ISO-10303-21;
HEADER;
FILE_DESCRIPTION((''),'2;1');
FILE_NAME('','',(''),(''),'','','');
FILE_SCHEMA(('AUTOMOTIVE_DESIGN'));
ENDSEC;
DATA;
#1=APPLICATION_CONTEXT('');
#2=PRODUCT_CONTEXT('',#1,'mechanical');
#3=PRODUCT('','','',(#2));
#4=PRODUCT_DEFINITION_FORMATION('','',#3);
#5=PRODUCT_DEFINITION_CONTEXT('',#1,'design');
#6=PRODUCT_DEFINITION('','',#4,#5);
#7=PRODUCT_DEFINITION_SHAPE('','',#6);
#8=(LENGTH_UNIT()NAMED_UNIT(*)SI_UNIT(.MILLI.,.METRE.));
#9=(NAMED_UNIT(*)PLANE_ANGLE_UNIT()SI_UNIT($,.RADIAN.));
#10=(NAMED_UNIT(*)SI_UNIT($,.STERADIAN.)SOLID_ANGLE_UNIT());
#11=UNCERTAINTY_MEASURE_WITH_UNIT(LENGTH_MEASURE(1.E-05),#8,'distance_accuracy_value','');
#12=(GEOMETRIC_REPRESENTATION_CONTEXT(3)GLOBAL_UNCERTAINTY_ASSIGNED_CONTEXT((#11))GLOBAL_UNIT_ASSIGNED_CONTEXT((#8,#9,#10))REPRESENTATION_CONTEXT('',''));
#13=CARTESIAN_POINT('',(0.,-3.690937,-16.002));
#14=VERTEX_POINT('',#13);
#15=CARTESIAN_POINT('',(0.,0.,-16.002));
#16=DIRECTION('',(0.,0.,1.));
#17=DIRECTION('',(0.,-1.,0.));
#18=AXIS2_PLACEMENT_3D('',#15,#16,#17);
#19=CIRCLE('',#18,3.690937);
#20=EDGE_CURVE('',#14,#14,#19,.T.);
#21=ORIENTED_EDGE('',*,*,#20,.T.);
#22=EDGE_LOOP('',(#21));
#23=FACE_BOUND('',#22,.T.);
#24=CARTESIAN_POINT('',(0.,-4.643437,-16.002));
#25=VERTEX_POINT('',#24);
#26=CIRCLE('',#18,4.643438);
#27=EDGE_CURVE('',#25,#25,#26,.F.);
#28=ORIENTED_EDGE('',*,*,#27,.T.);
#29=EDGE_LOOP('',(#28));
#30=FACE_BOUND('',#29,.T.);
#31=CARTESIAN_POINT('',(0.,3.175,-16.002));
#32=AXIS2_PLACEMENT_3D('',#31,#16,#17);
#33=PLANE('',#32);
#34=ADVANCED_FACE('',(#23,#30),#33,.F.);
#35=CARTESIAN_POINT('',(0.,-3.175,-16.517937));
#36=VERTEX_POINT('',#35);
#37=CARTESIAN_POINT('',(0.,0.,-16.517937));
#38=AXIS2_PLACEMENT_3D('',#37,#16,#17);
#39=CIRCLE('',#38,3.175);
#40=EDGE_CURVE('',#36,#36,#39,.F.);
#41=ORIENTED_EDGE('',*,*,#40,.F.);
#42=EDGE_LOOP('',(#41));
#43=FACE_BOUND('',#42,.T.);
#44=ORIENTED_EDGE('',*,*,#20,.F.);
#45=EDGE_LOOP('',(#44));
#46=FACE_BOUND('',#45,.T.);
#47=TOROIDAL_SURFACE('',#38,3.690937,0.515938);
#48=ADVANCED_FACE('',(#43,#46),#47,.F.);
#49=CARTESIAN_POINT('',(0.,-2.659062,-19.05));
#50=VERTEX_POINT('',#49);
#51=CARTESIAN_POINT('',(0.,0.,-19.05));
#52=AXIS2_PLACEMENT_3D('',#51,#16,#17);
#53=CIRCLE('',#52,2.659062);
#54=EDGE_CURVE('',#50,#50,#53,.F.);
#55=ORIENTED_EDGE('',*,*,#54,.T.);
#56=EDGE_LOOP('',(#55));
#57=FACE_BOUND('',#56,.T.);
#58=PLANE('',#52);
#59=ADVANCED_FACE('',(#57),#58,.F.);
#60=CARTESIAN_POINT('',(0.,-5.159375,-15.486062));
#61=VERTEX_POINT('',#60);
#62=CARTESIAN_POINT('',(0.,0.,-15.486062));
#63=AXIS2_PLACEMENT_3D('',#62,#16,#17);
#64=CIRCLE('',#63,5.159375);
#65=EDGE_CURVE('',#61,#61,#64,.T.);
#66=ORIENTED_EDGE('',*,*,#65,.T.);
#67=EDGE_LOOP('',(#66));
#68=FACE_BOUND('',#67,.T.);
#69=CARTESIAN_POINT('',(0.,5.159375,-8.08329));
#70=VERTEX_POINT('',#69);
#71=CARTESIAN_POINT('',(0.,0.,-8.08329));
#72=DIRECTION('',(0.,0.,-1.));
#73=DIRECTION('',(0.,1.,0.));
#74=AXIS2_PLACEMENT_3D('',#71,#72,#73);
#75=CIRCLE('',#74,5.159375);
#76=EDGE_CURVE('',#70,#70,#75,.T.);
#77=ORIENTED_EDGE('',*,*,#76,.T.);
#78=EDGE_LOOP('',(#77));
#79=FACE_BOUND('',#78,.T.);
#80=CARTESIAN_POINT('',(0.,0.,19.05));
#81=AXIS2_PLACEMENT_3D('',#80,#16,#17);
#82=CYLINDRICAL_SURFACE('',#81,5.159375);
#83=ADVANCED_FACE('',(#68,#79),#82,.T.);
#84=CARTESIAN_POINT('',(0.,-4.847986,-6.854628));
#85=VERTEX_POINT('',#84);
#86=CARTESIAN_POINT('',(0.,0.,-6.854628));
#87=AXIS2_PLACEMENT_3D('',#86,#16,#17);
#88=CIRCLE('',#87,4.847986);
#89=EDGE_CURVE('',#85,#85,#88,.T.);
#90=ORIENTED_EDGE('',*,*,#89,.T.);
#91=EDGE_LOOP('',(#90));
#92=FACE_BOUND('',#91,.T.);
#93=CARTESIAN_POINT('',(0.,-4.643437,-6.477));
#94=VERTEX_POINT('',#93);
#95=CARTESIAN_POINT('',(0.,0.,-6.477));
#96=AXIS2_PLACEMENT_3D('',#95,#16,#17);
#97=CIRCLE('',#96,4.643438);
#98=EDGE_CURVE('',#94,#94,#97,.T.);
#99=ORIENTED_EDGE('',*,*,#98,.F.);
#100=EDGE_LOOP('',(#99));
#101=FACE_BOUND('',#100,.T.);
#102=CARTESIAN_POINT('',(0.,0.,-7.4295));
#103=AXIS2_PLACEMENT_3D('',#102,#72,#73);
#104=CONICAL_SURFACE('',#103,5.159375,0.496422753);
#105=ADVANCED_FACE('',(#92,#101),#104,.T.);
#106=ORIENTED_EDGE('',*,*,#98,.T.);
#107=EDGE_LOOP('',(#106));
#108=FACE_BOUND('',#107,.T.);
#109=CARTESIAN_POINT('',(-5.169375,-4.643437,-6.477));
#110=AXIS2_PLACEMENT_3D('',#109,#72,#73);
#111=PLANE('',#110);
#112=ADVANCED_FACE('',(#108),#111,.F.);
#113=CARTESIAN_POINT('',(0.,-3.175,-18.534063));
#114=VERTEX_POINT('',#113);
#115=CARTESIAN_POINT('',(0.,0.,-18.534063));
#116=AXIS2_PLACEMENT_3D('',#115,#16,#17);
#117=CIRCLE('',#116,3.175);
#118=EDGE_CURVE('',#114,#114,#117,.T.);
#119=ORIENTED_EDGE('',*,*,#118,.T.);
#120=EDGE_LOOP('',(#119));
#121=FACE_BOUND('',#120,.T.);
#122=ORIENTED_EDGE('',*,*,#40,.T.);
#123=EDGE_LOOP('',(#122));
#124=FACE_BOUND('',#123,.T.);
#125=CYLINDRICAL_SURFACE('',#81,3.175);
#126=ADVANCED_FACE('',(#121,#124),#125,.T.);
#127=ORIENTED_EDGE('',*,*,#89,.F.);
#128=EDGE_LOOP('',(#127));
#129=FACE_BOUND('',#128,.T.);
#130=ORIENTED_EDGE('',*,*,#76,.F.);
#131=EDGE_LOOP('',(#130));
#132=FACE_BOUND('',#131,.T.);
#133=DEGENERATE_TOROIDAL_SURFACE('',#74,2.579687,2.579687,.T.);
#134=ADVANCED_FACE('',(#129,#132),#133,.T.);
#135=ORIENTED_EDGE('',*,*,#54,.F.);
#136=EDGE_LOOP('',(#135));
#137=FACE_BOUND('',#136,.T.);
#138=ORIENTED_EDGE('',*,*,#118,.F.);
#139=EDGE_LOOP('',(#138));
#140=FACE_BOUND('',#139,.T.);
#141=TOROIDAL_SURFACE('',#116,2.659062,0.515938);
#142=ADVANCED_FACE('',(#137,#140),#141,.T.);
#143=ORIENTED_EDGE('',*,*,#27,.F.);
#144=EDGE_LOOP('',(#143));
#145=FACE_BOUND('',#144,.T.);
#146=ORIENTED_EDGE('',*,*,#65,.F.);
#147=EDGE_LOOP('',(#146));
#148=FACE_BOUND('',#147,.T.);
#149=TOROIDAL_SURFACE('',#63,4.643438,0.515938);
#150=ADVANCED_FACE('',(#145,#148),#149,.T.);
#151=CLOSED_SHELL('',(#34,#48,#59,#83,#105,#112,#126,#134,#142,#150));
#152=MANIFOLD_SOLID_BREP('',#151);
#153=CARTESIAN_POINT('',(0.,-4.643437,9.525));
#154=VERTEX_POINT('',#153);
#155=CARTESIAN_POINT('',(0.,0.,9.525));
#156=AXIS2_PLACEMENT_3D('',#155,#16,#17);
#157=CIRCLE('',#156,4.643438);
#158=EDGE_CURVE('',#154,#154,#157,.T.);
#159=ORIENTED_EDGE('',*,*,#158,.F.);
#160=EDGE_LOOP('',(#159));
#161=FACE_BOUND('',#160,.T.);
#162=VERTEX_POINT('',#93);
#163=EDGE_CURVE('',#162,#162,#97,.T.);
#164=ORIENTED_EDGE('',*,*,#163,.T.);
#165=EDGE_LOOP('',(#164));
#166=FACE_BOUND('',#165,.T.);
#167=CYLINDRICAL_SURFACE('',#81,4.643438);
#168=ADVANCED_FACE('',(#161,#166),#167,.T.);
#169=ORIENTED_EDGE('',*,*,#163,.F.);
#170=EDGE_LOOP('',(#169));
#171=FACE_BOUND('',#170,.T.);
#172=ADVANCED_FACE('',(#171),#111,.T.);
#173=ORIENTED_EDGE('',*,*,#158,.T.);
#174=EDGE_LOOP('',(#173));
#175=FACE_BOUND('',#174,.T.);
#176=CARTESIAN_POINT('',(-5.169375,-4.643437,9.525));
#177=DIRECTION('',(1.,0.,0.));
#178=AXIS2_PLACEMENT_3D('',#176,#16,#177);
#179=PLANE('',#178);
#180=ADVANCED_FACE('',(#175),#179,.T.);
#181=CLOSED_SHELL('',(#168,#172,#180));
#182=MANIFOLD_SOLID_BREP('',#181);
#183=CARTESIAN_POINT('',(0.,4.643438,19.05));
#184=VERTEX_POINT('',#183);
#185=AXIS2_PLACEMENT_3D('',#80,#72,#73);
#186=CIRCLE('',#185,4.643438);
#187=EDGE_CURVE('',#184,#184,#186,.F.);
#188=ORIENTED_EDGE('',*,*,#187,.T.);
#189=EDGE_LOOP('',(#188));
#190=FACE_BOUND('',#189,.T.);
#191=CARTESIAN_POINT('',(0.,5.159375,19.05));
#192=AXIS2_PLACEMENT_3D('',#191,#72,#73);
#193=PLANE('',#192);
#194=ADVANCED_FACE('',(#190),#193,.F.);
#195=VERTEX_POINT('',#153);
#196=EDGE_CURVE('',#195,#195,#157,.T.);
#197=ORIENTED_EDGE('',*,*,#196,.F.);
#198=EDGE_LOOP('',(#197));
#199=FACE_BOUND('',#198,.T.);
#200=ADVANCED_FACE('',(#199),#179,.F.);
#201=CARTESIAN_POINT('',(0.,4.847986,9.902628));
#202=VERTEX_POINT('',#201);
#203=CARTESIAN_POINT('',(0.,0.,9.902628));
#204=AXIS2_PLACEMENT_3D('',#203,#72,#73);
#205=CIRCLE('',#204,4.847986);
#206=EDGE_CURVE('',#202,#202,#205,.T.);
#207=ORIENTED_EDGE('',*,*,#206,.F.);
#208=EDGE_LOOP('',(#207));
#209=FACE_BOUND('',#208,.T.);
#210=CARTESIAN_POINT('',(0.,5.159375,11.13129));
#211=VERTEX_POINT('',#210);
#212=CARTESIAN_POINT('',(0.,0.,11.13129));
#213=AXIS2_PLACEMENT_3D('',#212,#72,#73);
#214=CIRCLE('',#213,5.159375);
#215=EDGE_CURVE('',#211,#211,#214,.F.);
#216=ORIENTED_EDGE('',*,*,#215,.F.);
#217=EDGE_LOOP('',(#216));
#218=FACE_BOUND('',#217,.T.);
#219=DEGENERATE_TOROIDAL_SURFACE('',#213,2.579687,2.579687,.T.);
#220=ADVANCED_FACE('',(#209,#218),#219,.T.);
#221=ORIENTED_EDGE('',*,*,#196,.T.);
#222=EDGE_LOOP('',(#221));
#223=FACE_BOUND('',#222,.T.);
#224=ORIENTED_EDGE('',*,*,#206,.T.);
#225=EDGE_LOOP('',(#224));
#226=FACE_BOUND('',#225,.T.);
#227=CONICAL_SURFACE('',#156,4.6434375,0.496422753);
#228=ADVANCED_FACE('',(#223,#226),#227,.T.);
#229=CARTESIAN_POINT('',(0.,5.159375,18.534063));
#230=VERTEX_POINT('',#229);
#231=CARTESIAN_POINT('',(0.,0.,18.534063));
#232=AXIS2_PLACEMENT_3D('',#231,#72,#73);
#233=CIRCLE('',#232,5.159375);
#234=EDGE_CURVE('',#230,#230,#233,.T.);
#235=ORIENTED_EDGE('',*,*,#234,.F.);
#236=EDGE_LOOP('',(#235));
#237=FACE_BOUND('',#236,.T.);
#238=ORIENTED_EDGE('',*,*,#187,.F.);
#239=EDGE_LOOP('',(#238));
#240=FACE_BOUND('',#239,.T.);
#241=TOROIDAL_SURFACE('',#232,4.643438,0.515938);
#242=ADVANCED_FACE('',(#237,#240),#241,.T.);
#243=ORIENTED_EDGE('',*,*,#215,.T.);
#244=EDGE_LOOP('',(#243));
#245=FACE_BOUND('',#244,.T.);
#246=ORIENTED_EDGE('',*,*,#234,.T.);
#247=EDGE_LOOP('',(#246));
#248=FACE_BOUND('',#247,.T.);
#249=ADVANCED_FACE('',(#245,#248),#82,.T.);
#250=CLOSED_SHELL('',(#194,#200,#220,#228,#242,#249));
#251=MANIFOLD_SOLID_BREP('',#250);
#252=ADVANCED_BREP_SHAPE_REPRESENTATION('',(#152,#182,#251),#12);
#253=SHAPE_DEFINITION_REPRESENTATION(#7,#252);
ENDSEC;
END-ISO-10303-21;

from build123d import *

# Parameters (mm, degrees)
FILLET2_R              = 2.5796875
FILLET1_R              = 0.5159375
SPLIT1_SURFACE_1_BACK  = 41.799
SPLIT1_SURFACE_1_DEPTH = 83.598
SPLIT1_SURFACE_2_BACK  = 41.799
SPLIT1_SURFACE_2_DEPTH = 83.598


with BuildPart() as part:
    # Sketch2 → Revolve1 (revolve)
    with BuildSketch(Plane(origin=(0, 0, 0), x_dir=(0, 0, -1), z_dir=(1, 0, 0)), mode=Mode.PRIVATE) as revolve1_sk:
        Polygon((-19.05, 5.159375), (-19.05, 0), (19.05, 0), (19.05, 3.175), (16.002, 3.175), (16.002, 5.159375), (7.4295, 5.159375), (6.477, 4.6434375), (-9.525, 4.6434375), (-10.4775, 5.159375), align=None)
    revolve(revolve1_sk.sketch.rotate(Axis((0, 0, 19.05), (0, 0, -1)), 180), axis=Axis((0, 0, 19.05), (0, 0, -1)))

    # Fillet2
    fillet2_edges = [part.edges().sort_by_distance(p)[0] for p in [
        (0, 5.159375, 10.4775),
        (0, 5.159375, -7.4295),
    ]]
    fillet(fillet2_edges, radius=FILLET2_R)

    # Fillet1
    fillet1_edges = [part.edges().sort_by_distance(p)[0] for p in [
        (0, 5.159375, 19.05),
        (0, 5.159375, -16.002),
        (0, 3.175, -16.002),
        (0, 3.175, -19.05),
    ]]
    fillet(fillet1_edges, radius=FILLET1_R)


with BuildPart() as body_2:
    # Split1: the piece behind the surface
    add(part.part)
    # Split1 surface: a surface, the sketch's curves swept straight by 83.598 mm
    with BuildLine(Plane(origin=(0, 0, 0), x_dir=(0, 0, -1), z_dir=(1, 0, 0)).offset(-SPLIT1_SURFACE_1_BACK), mode=Mode.PRIVATE) as split1_surface_1_path:
        Line((-9.525, 4.6434375), (-9.525, -4.6434375))
        Line((-9.525, -4.6434375), (6.477, -4.6434375))
        Line((6.477, -4.6434375), (6.477, 4.6434375))
    split1_surface_1 = Shell.extrude(split1_surface_1_path.wire(), (1 * SPLIT1_SURFACE_1_DEPTH, 0 * SPLIT1_SURFACE_1_DEPTH, 0 * SPLIT1_SURFACE_1_DEPTH))
    split(bisect_by=split1_surface_1, keep=Keep.BOTTOM)


with BuildPart() as part_1:
    add(part.part)

    # Split1: split by a surface, the side it looks to stays
    # Split1 surface: a surface, the sketch's curves swept straight by 83.598 mm
    with BuildLine(Plane(origin=(0, 0, 0), x_dir=(0, 0, -1), z_dir=(1, 0, 0)).offset(-SPLIT1_SURFACE_2_BACK), mode=Mode.PRIVATE) as split1_surface_2_path:
        Line((-9.525, 4.6434375), (-9.525, -4.6434375))
        Line((-9.525, -4.6434375), (6.477, -4.6434375))
        Line((6.477, -4.6434375), (6.477, 4.6434375))
    split1_surface_2 = Shell.extrude(split1_surface_2_path.wire(), (1 * SPLIT1_SURFACE_2_DEPTH, 0 * SPLIT1_SURFACE_2_DEPTH, 0 * SPLIT1_SURFACE_2_DEPTH))
    split(bisect_by=split1_surface_2, keep=Keep.TOP)


solid = Compound([body_2.part, part_1.part])
